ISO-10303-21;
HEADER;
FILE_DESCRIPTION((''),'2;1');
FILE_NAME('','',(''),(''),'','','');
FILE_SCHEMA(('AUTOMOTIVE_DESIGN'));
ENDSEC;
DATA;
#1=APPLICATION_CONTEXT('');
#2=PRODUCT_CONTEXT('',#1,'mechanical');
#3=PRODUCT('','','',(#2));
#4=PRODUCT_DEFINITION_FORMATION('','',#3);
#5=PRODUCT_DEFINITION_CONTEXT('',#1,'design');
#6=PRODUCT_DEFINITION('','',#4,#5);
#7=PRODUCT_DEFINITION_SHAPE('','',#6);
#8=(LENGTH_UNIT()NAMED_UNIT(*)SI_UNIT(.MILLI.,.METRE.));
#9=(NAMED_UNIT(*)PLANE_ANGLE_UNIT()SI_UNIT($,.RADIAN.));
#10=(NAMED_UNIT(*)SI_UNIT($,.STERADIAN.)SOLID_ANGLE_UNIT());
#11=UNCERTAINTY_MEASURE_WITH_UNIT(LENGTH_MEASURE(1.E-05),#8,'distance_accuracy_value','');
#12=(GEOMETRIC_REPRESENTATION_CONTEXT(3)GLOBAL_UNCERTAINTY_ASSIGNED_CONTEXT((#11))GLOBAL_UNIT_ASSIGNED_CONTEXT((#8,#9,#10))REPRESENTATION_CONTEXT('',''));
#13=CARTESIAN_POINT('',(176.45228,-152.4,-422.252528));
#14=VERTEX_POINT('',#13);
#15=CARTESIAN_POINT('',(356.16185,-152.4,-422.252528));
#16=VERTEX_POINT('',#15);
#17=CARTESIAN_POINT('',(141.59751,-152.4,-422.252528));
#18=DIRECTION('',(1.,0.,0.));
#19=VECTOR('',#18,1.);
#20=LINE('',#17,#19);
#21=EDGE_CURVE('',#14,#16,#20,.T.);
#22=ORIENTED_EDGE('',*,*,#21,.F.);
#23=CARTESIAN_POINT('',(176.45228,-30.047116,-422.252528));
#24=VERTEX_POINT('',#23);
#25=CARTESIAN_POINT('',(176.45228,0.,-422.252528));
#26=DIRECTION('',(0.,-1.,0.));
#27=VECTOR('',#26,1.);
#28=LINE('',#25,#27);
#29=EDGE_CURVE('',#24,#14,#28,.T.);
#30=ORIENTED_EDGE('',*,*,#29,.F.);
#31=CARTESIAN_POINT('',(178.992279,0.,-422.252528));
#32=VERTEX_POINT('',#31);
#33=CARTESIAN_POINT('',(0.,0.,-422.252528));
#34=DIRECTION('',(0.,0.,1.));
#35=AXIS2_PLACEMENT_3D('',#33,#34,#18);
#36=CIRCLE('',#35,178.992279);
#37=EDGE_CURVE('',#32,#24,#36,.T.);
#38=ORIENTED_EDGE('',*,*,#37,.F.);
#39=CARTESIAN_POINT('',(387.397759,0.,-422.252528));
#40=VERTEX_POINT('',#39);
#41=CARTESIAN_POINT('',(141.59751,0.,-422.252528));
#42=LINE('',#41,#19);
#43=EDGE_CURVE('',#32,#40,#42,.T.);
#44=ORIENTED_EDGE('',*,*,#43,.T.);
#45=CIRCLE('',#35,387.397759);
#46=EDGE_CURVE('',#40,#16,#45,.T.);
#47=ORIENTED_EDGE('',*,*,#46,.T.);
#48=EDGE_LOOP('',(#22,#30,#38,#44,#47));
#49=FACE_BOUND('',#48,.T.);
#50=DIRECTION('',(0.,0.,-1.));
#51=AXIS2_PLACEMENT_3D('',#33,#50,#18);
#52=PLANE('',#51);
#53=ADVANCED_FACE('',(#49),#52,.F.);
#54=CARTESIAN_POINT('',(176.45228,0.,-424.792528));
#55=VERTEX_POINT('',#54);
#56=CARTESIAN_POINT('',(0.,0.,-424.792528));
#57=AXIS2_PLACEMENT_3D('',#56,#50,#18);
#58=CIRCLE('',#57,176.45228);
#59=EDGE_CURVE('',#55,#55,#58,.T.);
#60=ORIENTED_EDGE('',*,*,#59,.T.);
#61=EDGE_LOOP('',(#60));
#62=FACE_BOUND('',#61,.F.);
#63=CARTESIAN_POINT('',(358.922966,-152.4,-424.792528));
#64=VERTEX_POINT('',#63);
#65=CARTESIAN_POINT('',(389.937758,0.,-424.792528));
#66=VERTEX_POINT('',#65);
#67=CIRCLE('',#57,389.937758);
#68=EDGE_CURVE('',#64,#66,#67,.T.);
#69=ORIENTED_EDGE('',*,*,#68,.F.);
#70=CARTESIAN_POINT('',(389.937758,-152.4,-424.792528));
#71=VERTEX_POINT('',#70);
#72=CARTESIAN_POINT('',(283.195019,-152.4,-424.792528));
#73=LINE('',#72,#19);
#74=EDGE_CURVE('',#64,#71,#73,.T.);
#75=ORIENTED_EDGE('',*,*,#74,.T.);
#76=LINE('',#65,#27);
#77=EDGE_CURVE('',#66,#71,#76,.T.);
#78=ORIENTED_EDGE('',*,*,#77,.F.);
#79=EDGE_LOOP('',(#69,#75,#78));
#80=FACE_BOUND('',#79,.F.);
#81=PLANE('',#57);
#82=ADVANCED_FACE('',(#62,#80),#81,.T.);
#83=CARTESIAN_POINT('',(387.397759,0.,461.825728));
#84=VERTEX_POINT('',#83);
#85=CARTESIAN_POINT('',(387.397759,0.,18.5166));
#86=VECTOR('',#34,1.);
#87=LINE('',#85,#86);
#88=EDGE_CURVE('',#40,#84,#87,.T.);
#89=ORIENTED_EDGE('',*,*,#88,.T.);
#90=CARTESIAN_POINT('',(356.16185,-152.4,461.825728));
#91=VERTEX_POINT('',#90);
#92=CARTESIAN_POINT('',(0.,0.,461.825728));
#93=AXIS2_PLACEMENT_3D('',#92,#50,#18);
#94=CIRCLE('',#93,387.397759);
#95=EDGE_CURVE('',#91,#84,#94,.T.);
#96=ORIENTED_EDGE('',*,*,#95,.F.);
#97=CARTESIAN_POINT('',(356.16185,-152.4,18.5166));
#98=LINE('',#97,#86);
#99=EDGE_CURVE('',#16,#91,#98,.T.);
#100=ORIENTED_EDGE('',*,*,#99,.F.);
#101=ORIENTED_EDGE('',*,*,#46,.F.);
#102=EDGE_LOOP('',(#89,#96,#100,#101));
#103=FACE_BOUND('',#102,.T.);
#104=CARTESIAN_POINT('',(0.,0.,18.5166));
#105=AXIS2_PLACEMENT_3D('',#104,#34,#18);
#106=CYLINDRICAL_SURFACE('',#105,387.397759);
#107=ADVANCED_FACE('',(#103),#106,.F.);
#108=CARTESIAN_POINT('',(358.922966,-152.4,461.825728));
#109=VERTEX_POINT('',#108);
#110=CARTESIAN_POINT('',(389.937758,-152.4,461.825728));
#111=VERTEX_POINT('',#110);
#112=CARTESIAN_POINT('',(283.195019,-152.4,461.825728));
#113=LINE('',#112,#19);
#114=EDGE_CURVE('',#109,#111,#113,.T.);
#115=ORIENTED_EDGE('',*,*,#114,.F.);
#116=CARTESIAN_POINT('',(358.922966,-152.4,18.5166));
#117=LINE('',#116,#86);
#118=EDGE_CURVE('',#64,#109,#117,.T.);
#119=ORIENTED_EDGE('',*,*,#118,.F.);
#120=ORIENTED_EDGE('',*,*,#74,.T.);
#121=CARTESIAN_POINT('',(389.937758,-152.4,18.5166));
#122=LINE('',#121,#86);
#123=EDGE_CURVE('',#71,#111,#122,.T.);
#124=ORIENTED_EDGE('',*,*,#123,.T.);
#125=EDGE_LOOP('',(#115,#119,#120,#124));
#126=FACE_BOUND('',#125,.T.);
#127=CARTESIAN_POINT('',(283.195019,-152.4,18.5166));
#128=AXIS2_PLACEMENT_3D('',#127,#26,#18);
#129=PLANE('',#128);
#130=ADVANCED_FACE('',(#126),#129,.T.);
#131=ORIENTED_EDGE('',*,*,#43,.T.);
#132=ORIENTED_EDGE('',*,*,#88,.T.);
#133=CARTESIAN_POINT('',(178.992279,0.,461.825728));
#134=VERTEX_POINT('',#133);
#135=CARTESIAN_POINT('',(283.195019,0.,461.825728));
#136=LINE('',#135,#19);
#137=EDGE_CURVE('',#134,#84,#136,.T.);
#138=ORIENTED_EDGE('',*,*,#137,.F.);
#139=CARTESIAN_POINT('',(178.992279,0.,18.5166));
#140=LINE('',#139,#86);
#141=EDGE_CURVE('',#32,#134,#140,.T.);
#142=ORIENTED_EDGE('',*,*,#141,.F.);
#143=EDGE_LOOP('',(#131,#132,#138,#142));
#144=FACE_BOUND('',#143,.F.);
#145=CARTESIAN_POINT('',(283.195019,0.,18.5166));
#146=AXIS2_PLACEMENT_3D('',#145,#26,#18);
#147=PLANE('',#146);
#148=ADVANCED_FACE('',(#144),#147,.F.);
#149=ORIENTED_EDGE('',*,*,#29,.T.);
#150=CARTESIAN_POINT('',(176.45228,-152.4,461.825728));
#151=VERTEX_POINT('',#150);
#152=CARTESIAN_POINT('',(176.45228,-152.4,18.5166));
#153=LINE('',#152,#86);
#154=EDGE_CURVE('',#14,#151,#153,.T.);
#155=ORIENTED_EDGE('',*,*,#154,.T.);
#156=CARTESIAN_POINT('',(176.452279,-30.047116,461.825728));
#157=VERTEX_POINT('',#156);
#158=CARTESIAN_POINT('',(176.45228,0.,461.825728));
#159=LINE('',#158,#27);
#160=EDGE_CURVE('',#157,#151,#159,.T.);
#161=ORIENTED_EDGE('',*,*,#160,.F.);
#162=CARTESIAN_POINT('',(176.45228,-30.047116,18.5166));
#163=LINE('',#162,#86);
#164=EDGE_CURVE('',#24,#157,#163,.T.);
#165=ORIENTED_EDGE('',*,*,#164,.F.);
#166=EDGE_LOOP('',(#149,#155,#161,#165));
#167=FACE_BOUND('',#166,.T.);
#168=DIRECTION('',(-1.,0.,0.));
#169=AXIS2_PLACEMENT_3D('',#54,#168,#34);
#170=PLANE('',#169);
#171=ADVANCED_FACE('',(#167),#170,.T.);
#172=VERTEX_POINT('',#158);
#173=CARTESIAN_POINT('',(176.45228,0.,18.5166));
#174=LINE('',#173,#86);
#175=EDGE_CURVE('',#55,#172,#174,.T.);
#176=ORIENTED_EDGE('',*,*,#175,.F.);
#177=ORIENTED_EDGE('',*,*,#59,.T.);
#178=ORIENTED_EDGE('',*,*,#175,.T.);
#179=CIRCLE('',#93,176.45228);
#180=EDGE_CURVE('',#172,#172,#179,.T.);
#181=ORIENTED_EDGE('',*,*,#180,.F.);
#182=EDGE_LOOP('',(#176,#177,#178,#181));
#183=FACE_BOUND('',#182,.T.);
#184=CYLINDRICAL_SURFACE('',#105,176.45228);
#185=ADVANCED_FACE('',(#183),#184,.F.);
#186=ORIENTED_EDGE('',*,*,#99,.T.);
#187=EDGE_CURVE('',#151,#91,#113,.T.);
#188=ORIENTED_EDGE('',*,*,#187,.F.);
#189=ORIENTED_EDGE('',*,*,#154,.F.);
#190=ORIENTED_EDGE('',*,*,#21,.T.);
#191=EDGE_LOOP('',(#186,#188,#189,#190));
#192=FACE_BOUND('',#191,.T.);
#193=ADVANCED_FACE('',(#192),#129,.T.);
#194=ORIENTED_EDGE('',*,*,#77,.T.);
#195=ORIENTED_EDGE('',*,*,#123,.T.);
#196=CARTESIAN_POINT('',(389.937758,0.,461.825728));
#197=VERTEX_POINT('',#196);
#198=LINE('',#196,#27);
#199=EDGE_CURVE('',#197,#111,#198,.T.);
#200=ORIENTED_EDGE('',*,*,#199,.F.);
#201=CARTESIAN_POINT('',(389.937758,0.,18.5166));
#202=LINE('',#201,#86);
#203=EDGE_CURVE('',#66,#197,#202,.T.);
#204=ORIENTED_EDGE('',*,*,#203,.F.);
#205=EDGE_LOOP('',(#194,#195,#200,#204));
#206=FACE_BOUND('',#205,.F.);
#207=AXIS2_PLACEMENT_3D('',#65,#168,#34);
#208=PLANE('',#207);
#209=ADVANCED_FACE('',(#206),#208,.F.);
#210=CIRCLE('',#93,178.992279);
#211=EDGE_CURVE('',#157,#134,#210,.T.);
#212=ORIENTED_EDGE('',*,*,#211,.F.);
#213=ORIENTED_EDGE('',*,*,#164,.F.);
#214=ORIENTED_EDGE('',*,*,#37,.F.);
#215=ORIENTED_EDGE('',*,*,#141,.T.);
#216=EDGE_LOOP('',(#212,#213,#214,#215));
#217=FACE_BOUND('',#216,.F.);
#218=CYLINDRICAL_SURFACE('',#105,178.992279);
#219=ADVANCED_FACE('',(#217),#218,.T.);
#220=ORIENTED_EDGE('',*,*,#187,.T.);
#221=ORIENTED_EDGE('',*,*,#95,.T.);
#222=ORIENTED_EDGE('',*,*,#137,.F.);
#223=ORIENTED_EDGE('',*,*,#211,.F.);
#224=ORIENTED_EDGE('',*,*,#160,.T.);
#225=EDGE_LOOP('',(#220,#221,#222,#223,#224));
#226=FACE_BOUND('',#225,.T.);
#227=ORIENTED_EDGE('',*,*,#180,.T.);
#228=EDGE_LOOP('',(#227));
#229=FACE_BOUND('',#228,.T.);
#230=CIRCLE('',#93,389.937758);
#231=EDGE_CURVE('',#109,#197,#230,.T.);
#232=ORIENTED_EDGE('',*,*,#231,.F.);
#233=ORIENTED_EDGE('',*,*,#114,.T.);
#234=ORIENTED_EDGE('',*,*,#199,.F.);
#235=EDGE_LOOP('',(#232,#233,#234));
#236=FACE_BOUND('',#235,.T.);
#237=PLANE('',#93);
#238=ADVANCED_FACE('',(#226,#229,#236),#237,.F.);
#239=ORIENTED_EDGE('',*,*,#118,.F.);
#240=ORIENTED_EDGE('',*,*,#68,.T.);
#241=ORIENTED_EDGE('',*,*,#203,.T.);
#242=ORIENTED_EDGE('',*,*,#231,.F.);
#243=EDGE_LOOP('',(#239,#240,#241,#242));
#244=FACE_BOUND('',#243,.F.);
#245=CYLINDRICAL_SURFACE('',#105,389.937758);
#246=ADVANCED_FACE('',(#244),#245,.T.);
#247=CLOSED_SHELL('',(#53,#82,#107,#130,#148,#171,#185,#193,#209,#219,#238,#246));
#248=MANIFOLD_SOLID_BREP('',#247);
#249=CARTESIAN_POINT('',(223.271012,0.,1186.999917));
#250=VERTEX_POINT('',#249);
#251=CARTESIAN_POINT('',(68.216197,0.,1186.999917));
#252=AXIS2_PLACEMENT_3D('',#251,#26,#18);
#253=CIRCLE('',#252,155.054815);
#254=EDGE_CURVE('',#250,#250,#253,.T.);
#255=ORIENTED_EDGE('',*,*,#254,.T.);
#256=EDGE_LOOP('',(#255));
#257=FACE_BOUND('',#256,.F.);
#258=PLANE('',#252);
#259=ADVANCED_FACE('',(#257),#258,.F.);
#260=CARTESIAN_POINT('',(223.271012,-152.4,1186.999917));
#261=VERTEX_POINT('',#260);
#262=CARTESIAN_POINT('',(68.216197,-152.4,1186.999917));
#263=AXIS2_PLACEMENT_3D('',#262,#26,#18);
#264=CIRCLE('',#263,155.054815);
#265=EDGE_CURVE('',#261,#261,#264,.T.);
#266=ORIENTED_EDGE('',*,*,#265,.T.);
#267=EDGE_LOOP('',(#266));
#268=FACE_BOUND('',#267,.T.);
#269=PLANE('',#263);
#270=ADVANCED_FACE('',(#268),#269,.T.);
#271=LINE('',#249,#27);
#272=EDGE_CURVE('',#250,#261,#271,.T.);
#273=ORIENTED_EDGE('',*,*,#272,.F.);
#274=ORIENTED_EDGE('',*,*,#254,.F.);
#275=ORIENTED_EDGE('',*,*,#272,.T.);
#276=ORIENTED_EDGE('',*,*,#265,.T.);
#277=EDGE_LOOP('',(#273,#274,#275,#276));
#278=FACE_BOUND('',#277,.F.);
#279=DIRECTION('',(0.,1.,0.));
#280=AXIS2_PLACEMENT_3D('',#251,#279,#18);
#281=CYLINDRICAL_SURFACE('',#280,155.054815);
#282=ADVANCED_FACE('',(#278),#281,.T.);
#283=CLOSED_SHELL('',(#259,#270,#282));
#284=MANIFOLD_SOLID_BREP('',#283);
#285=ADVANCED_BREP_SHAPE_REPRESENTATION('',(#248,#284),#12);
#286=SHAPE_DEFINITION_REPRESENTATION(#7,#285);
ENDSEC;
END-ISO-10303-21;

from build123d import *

# Parameters (mm, degrees)
F0_W     = 213.485479
F0_H     = 886.618256
F2_T     = -2.54
F0_R     = 155.054815
F3_DEPTH = 152.4


with BuildPart() as f1:
    # F0 (on Front) → F1 (revolve)
    with BuildSketch(Plane.XZ):
        with Locations((283.195019, 18.5166)):
            Rectangle(F0_W, F0_H)
    revolve(axis=Axis((0, 0, -4.356861), (0, 0, -1)))

    # F2
    f2_openings = [f1.faces().sort_by_distance(p)[0] for p in [
        (-378.908653, 0, 461.825728),
    ]]
    offset(amount=F2_T, openings=f2_openings)

    # F0 (on Front) → F3 (join)
    with BuildSketch(Plane.XZ):
        with Locations((283.195019, 18.5166)):
            Rectangle(F0_W, F0_H)
        with Locations((68.216197, 1186.999917)):
            Circle(F0_R)
    extrude(amount=F3_DEPTH)


solid = f1.part
